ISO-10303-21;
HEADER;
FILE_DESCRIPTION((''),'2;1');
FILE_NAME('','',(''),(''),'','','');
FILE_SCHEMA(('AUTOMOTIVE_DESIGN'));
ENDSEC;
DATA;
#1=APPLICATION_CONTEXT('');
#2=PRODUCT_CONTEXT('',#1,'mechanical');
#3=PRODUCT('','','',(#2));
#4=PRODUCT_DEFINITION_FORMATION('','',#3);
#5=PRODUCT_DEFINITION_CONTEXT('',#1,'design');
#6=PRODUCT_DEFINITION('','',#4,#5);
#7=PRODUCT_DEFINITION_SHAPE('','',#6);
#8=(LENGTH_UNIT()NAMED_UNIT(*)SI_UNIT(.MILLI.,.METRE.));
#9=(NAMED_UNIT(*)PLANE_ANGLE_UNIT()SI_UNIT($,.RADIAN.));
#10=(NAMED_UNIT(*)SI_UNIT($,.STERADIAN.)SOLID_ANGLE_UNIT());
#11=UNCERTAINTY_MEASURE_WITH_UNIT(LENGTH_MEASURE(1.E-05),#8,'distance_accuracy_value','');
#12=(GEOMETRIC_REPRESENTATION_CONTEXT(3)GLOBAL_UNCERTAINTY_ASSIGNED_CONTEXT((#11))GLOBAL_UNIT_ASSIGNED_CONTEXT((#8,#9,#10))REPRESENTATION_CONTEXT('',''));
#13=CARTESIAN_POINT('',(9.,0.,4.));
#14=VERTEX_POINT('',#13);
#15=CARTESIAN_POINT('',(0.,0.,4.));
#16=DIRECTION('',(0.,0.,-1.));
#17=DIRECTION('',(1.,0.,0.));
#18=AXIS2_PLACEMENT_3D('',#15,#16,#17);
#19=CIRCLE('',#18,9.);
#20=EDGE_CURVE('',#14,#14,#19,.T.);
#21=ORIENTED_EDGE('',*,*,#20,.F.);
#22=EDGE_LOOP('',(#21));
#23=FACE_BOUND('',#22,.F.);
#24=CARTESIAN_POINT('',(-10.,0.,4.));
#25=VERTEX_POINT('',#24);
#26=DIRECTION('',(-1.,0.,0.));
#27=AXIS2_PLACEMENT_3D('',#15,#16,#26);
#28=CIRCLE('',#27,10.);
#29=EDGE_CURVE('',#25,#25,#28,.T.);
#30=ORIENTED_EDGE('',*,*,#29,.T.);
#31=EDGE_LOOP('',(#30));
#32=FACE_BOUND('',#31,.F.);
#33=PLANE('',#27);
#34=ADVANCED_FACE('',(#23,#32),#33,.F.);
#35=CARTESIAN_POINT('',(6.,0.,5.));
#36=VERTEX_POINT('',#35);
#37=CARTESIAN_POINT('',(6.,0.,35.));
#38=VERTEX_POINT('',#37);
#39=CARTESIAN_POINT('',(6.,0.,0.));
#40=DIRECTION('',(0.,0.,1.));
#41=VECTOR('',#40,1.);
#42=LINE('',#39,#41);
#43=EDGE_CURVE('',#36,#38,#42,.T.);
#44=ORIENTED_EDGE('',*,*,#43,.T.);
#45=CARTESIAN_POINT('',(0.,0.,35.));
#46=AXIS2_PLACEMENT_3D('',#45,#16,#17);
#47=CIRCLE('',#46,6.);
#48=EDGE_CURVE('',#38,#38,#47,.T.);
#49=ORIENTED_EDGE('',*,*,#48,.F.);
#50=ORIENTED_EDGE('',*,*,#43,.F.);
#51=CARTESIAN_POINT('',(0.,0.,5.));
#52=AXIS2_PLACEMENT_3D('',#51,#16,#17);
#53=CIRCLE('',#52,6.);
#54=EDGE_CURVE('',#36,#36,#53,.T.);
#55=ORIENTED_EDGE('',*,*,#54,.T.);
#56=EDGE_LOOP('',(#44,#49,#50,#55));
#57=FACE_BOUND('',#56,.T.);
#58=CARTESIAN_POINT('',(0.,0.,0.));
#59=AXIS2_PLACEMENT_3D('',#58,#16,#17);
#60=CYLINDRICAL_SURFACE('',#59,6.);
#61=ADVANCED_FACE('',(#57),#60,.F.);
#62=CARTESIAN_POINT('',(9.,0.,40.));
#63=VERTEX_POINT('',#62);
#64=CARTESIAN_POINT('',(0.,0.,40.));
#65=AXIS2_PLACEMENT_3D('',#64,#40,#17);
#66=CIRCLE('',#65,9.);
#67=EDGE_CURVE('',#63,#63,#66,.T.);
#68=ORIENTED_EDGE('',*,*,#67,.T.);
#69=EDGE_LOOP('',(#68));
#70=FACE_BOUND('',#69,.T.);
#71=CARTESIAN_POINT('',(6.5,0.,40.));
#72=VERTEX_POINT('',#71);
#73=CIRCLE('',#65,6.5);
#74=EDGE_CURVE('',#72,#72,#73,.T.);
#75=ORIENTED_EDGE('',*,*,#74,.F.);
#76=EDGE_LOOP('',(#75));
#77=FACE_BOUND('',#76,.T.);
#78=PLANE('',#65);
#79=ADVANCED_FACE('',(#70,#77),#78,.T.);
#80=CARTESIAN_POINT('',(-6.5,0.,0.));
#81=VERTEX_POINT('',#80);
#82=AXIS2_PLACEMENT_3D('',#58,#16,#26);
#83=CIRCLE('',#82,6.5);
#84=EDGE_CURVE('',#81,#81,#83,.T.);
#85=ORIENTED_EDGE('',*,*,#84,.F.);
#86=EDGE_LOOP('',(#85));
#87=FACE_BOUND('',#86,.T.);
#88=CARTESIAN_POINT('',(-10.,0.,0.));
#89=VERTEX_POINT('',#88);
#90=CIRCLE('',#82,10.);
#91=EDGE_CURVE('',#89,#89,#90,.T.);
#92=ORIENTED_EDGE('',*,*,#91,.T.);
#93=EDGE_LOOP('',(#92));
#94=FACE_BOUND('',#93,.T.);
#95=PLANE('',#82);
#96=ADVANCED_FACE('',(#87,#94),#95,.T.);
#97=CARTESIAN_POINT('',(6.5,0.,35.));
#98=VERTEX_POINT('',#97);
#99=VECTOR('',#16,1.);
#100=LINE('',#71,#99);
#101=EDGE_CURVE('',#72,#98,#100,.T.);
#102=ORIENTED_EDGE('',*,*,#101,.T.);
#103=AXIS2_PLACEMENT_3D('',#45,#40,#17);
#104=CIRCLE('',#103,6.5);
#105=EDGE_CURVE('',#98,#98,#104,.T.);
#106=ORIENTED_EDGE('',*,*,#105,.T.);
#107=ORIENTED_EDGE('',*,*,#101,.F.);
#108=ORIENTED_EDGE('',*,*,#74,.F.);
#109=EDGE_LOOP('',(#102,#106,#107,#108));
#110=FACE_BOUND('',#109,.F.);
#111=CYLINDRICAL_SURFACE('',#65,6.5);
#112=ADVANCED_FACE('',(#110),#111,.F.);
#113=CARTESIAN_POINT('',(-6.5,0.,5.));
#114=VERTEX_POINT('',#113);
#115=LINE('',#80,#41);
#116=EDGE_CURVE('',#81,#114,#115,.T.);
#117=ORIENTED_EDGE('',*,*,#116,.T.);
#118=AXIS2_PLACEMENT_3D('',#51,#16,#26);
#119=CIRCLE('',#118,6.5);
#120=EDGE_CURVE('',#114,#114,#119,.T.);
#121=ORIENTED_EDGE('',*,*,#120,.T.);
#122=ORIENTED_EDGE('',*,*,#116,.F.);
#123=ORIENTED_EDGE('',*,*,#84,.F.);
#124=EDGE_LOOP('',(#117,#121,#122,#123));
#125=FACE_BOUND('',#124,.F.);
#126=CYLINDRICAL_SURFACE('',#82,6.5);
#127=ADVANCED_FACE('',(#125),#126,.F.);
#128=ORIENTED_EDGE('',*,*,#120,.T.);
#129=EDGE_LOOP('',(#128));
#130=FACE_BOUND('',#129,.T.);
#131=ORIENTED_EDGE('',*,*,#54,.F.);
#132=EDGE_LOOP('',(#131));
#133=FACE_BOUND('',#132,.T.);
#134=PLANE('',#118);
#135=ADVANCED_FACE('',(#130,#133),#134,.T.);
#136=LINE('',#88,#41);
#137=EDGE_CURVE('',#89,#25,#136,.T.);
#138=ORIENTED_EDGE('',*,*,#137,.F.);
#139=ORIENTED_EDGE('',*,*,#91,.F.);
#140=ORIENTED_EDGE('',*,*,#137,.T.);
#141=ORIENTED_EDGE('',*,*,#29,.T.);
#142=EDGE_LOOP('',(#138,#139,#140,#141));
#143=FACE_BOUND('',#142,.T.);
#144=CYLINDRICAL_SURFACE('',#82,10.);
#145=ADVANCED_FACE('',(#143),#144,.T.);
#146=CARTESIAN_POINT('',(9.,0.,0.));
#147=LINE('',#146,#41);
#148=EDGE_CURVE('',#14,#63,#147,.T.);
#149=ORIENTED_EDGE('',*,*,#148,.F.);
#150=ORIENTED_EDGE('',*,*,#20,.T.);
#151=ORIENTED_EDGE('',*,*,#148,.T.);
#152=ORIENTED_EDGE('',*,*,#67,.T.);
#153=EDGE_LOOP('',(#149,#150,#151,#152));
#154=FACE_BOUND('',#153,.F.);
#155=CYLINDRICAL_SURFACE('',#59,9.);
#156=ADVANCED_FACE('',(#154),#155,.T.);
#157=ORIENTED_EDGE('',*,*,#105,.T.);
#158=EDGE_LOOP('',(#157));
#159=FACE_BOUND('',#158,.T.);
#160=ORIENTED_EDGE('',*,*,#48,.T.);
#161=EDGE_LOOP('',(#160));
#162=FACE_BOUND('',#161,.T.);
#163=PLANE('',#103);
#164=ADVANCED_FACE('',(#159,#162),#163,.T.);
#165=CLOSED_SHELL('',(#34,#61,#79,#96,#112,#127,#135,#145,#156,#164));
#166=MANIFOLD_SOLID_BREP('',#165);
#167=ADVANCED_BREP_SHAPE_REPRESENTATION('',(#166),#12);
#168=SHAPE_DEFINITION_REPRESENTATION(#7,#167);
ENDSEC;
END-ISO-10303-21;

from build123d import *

# Parameters (mm, degrees)
SKETCH_1_R          = 9
SKETCH_1_R_2        = 6
EXTRUDE_1_DEPTH     = 40
SKETCH_2_R          = 6.5
CUT_EXTRUDE_1_DEPTH = 5
SKETCH_3_R          = 6.5
CUT_EXTRUDE_2_DEPTH = 5
SKETCH_4_R          = 10
SKETCH_4_R_2        = 9
EXTRUDE_2_DEPTH     = 4


with BuildPart() as part:
    # 草图1 → 凸台-拉伸1 (new body)
    with BuildSketch(Plane.XY):
        Circle(SKETCH_1_R)
        Circle(SKETCH_1_R_2, mode=Mode.SUBTRACT)
    extrude(amount=EXTRUDE_1_DEPTH)

    # 草图2 → 切除-拉伸1 (cut)
    with BuildSketch(Plane.XY.offset(40)):
        Circle(SKETCH_2_R)
    extrude(amount=-CUT_EXTRUDE_1_DEPTH, mode=Mode.SUBTRACT)

    # 草图3 → 切除-拉伸2 (cut)
    with BuildSketch(Plane(origin=(0, 0, 0), x_dir=(-1, 0, 0), z_dir=(0, 0, -1))):
        Circle(SKETCH_3_R)
    extrude(amount=-CUT_EXTRUDE_2_DEPTH, mode=Mode.SUBTRACT)

    # 草图4 → 凸台-拉伸2 (add)
    with BuildSketch(Plane(origin=(0, 0, 0), x_dir=(-1, 0, 0), z_dir=(0, 0, -1))):
        Circle(SKETCH_4_R)
        Circle(SKETCH_4_R_2, mode=Mode.SUBTRACT)
    extrude(amount=-EXTRUDE_2_DEPTH)


solid = part.part
